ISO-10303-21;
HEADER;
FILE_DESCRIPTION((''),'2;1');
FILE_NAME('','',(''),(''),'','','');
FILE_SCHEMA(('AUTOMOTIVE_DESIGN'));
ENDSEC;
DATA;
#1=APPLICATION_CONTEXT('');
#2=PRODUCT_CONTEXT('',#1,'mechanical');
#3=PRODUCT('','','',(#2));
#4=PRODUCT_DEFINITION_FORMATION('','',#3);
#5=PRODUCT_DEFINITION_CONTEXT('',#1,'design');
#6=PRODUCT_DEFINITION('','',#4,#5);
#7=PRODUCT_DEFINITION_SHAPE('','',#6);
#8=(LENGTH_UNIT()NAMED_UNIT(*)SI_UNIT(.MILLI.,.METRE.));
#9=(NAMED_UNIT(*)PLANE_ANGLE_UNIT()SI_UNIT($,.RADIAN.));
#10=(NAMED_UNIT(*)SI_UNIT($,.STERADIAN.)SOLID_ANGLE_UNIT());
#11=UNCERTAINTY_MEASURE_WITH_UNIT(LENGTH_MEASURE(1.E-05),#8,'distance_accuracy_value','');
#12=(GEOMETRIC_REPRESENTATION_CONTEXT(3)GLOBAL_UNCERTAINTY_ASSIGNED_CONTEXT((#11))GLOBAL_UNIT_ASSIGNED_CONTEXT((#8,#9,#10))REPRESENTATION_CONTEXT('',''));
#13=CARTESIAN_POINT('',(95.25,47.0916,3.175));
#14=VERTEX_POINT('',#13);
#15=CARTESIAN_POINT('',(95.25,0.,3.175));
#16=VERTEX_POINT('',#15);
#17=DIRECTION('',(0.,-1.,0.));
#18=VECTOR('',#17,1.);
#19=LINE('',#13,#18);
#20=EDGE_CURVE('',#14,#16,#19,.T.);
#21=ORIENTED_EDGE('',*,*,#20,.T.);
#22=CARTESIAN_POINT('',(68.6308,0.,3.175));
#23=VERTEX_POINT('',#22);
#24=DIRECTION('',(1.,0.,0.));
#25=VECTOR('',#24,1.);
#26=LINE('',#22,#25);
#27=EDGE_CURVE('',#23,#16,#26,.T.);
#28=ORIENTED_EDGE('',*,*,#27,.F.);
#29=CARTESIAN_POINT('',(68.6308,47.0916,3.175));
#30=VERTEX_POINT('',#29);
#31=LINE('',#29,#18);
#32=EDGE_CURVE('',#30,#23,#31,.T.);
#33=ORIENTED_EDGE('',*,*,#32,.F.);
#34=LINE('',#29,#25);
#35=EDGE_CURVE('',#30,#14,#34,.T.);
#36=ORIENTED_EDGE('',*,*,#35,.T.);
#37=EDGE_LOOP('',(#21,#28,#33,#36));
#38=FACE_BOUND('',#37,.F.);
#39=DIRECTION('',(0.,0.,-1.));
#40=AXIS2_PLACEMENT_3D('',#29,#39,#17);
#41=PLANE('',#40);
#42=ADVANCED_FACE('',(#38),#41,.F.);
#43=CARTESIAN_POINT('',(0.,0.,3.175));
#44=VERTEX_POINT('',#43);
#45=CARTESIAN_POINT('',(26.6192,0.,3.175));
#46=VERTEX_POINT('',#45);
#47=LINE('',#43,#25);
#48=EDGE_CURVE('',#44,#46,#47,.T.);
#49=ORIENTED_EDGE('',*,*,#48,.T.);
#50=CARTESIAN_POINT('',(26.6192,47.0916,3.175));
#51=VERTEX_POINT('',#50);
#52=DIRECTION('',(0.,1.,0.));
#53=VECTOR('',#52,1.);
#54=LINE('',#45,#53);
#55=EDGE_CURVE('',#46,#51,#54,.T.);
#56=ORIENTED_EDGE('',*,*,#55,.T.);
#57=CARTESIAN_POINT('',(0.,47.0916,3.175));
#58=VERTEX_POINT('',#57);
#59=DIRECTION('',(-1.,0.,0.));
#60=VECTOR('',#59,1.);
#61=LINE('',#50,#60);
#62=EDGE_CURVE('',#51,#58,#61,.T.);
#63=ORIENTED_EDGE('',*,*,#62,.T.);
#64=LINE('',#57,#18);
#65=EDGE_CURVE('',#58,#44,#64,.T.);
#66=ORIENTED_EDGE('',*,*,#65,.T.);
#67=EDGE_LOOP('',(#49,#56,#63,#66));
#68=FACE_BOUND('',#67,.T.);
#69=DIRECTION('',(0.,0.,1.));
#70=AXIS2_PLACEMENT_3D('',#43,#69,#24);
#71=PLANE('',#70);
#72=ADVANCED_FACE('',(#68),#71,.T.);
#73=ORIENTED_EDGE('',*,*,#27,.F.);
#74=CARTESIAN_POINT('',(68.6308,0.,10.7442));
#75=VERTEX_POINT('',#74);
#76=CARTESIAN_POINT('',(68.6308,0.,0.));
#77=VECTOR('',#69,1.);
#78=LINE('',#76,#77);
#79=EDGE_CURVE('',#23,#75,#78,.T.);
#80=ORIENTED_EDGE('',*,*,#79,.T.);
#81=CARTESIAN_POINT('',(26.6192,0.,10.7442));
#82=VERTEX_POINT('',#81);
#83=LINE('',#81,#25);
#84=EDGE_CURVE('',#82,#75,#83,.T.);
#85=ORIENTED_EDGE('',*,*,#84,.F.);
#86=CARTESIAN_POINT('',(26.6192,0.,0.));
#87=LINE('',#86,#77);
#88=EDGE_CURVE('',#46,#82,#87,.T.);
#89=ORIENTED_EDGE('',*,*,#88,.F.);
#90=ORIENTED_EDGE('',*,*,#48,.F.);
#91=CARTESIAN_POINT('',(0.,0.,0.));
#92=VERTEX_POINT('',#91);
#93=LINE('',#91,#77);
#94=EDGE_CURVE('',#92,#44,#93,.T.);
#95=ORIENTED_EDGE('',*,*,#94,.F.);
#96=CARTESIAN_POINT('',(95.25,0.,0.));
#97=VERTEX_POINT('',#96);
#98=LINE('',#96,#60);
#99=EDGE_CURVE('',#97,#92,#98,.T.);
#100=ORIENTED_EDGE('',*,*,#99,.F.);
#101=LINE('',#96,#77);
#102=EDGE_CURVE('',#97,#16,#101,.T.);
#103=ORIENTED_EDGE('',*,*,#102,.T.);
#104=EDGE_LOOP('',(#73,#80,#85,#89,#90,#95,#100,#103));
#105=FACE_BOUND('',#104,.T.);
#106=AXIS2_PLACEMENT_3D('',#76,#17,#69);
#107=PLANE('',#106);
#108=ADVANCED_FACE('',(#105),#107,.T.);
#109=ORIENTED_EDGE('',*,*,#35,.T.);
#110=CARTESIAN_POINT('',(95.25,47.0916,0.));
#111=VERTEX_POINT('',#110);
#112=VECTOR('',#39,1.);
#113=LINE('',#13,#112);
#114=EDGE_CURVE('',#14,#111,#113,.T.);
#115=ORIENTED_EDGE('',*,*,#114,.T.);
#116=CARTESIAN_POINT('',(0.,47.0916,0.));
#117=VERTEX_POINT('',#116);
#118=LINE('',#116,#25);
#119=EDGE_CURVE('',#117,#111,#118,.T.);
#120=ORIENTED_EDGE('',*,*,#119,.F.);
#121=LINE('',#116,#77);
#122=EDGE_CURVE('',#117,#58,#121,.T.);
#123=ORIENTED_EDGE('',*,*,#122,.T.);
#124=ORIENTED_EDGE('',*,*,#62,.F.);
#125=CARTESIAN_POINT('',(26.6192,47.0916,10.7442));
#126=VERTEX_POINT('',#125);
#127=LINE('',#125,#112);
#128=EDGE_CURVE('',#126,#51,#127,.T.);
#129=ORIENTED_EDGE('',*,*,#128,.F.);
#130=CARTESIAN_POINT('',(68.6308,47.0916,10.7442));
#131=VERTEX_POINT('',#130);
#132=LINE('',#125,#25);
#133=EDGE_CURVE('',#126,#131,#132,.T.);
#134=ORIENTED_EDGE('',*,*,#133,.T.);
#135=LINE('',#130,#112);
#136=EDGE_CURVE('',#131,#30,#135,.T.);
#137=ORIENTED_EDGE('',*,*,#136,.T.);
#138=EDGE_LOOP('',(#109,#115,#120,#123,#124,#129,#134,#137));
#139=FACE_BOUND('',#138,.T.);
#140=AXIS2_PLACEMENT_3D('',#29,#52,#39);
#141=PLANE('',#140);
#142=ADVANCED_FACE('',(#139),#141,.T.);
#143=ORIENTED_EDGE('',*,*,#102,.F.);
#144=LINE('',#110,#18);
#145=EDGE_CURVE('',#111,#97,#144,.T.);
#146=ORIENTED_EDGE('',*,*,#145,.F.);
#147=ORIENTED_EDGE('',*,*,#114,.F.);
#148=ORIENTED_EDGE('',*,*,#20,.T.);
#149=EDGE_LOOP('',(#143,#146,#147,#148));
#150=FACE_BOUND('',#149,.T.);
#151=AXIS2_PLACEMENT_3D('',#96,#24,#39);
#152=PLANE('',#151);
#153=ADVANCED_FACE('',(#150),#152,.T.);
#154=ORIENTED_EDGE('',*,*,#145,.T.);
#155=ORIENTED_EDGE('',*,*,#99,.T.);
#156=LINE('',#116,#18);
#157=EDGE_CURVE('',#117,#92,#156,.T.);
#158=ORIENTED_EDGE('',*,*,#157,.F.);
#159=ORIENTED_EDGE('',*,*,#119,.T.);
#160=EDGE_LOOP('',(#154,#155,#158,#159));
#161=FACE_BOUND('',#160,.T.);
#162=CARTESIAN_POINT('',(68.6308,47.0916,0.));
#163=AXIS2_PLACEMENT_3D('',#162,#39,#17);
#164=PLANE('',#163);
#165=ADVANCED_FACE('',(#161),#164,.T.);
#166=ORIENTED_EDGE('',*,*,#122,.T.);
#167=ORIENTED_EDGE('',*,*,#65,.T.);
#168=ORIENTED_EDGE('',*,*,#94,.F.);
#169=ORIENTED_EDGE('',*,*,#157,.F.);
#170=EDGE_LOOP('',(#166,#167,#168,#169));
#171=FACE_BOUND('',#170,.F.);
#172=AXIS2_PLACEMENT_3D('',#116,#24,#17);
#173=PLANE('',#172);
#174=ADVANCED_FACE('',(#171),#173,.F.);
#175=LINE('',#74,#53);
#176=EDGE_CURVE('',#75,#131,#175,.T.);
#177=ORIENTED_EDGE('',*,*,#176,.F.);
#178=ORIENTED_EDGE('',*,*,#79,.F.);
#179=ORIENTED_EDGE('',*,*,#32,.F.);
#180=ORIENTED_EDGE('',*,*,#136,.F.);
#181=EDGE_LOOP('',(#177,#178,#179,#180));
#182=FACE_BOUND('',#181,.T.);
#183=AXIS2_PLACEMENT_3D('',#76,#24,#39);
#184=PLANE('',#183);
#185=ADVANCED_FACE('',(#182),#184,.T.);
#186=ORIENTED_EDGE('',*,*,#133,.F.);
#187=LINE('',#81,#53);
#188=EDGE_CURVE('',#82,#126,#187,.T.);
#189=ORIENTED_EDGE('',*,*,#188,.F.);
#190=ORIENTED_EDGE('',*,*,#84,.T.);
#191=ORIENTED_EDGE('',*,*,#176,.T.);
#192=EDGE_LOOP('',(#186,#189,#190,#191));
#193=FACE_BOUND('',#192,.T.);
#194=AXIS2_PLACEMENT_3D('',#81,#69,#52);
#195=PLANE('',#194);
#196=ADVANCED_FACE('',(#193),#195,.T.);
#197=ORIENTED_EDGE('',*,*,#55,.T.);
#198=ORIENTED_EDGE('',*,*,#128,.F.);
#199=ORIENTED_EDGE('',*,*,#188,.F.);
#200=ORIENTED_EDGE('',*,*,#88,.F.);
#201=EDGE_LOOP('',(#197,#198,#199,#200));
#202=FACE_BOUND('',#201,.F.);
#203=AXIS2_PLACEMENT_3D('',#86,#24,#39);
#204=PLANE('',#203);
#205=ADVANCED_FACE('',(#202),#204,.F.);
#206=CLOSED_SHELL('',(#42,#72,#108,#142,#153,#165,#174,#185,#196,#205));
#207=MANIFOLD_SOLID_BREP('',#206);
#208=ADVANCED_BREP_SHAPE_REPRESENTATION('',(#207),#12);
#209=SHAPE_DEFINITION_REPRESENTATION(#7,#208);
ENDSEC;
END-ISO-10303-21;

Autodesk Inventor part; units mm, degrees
ref_plane "YZ Plane" through (0, 0, 0) normal (1, 0, 0) x (0, 1, 0)
ref_plane "XZ Plane" through (0, 0, 0) normal (0, 1, 0) x (-1, 0, 0)
ref_plane "XY Plane" through (0, 0, 0) normal (0, 0, 1) x (1, 0, 0)
sketch "Sketch1" plane through (0, 0, 0) normal (0, 0, 1) x (1, 0, 0)
  line L0 (0, 0) -> (26.6192, 0)
  line L1 (26.6192, 0) -> (26.6192, 47.0916)
  line L2 (26.6192, 47.0916) -> (0, 47.0916)
  line L3 (0, 47.0916) -> (0, 0)
  dimension "d0" = 26.6192
  dimension "d1" = 47.0916
extrude "Extrusion1" add sketch "Sketch1" along normal blind 3.175
sketch "Sketch6" plane through (26.6192, 0, 0) normal (1, 0, 0) x (0, 0, -1)
  line L0 (0, 0) -> (-10.7442, 0)
  line L1 (-10.7442, 0) -> (-10.7442, 47.0916)
  line L2 (-10.7442, 47.0916) -> (0, 47.0916)
  line L3 (0, 47.0916) -> (0, 0)
  dimension "d15" = 10.7442
extrude "Extrusion6" add sketch "Sketch6" along normal blind 42.0116
sketch "Sketch7" plane through (68.6308, 0, 0) normal (1, 0, 0) x (0, 0, -1)
  line L0 (0, 47.0916) -> (0, 0) projected
  line L1 (-3.175, 47.0916) -> (-3.175, 0) projected
  line L2 (0, 0) -> (-3.175, 0)
  line L3 (-3.175, 0) -> (-3.175, 47.0916)
  line L4 (-3.175, 47.0916) -> (0, 47.0916)
  line L5 (0, 47.0916) -> (0, 0)
extrude "Extrusion7" add sketch "Sketch7" along normal blind 26.6192
properties part number "bagcimspacer" material "Aluminum 6061"
